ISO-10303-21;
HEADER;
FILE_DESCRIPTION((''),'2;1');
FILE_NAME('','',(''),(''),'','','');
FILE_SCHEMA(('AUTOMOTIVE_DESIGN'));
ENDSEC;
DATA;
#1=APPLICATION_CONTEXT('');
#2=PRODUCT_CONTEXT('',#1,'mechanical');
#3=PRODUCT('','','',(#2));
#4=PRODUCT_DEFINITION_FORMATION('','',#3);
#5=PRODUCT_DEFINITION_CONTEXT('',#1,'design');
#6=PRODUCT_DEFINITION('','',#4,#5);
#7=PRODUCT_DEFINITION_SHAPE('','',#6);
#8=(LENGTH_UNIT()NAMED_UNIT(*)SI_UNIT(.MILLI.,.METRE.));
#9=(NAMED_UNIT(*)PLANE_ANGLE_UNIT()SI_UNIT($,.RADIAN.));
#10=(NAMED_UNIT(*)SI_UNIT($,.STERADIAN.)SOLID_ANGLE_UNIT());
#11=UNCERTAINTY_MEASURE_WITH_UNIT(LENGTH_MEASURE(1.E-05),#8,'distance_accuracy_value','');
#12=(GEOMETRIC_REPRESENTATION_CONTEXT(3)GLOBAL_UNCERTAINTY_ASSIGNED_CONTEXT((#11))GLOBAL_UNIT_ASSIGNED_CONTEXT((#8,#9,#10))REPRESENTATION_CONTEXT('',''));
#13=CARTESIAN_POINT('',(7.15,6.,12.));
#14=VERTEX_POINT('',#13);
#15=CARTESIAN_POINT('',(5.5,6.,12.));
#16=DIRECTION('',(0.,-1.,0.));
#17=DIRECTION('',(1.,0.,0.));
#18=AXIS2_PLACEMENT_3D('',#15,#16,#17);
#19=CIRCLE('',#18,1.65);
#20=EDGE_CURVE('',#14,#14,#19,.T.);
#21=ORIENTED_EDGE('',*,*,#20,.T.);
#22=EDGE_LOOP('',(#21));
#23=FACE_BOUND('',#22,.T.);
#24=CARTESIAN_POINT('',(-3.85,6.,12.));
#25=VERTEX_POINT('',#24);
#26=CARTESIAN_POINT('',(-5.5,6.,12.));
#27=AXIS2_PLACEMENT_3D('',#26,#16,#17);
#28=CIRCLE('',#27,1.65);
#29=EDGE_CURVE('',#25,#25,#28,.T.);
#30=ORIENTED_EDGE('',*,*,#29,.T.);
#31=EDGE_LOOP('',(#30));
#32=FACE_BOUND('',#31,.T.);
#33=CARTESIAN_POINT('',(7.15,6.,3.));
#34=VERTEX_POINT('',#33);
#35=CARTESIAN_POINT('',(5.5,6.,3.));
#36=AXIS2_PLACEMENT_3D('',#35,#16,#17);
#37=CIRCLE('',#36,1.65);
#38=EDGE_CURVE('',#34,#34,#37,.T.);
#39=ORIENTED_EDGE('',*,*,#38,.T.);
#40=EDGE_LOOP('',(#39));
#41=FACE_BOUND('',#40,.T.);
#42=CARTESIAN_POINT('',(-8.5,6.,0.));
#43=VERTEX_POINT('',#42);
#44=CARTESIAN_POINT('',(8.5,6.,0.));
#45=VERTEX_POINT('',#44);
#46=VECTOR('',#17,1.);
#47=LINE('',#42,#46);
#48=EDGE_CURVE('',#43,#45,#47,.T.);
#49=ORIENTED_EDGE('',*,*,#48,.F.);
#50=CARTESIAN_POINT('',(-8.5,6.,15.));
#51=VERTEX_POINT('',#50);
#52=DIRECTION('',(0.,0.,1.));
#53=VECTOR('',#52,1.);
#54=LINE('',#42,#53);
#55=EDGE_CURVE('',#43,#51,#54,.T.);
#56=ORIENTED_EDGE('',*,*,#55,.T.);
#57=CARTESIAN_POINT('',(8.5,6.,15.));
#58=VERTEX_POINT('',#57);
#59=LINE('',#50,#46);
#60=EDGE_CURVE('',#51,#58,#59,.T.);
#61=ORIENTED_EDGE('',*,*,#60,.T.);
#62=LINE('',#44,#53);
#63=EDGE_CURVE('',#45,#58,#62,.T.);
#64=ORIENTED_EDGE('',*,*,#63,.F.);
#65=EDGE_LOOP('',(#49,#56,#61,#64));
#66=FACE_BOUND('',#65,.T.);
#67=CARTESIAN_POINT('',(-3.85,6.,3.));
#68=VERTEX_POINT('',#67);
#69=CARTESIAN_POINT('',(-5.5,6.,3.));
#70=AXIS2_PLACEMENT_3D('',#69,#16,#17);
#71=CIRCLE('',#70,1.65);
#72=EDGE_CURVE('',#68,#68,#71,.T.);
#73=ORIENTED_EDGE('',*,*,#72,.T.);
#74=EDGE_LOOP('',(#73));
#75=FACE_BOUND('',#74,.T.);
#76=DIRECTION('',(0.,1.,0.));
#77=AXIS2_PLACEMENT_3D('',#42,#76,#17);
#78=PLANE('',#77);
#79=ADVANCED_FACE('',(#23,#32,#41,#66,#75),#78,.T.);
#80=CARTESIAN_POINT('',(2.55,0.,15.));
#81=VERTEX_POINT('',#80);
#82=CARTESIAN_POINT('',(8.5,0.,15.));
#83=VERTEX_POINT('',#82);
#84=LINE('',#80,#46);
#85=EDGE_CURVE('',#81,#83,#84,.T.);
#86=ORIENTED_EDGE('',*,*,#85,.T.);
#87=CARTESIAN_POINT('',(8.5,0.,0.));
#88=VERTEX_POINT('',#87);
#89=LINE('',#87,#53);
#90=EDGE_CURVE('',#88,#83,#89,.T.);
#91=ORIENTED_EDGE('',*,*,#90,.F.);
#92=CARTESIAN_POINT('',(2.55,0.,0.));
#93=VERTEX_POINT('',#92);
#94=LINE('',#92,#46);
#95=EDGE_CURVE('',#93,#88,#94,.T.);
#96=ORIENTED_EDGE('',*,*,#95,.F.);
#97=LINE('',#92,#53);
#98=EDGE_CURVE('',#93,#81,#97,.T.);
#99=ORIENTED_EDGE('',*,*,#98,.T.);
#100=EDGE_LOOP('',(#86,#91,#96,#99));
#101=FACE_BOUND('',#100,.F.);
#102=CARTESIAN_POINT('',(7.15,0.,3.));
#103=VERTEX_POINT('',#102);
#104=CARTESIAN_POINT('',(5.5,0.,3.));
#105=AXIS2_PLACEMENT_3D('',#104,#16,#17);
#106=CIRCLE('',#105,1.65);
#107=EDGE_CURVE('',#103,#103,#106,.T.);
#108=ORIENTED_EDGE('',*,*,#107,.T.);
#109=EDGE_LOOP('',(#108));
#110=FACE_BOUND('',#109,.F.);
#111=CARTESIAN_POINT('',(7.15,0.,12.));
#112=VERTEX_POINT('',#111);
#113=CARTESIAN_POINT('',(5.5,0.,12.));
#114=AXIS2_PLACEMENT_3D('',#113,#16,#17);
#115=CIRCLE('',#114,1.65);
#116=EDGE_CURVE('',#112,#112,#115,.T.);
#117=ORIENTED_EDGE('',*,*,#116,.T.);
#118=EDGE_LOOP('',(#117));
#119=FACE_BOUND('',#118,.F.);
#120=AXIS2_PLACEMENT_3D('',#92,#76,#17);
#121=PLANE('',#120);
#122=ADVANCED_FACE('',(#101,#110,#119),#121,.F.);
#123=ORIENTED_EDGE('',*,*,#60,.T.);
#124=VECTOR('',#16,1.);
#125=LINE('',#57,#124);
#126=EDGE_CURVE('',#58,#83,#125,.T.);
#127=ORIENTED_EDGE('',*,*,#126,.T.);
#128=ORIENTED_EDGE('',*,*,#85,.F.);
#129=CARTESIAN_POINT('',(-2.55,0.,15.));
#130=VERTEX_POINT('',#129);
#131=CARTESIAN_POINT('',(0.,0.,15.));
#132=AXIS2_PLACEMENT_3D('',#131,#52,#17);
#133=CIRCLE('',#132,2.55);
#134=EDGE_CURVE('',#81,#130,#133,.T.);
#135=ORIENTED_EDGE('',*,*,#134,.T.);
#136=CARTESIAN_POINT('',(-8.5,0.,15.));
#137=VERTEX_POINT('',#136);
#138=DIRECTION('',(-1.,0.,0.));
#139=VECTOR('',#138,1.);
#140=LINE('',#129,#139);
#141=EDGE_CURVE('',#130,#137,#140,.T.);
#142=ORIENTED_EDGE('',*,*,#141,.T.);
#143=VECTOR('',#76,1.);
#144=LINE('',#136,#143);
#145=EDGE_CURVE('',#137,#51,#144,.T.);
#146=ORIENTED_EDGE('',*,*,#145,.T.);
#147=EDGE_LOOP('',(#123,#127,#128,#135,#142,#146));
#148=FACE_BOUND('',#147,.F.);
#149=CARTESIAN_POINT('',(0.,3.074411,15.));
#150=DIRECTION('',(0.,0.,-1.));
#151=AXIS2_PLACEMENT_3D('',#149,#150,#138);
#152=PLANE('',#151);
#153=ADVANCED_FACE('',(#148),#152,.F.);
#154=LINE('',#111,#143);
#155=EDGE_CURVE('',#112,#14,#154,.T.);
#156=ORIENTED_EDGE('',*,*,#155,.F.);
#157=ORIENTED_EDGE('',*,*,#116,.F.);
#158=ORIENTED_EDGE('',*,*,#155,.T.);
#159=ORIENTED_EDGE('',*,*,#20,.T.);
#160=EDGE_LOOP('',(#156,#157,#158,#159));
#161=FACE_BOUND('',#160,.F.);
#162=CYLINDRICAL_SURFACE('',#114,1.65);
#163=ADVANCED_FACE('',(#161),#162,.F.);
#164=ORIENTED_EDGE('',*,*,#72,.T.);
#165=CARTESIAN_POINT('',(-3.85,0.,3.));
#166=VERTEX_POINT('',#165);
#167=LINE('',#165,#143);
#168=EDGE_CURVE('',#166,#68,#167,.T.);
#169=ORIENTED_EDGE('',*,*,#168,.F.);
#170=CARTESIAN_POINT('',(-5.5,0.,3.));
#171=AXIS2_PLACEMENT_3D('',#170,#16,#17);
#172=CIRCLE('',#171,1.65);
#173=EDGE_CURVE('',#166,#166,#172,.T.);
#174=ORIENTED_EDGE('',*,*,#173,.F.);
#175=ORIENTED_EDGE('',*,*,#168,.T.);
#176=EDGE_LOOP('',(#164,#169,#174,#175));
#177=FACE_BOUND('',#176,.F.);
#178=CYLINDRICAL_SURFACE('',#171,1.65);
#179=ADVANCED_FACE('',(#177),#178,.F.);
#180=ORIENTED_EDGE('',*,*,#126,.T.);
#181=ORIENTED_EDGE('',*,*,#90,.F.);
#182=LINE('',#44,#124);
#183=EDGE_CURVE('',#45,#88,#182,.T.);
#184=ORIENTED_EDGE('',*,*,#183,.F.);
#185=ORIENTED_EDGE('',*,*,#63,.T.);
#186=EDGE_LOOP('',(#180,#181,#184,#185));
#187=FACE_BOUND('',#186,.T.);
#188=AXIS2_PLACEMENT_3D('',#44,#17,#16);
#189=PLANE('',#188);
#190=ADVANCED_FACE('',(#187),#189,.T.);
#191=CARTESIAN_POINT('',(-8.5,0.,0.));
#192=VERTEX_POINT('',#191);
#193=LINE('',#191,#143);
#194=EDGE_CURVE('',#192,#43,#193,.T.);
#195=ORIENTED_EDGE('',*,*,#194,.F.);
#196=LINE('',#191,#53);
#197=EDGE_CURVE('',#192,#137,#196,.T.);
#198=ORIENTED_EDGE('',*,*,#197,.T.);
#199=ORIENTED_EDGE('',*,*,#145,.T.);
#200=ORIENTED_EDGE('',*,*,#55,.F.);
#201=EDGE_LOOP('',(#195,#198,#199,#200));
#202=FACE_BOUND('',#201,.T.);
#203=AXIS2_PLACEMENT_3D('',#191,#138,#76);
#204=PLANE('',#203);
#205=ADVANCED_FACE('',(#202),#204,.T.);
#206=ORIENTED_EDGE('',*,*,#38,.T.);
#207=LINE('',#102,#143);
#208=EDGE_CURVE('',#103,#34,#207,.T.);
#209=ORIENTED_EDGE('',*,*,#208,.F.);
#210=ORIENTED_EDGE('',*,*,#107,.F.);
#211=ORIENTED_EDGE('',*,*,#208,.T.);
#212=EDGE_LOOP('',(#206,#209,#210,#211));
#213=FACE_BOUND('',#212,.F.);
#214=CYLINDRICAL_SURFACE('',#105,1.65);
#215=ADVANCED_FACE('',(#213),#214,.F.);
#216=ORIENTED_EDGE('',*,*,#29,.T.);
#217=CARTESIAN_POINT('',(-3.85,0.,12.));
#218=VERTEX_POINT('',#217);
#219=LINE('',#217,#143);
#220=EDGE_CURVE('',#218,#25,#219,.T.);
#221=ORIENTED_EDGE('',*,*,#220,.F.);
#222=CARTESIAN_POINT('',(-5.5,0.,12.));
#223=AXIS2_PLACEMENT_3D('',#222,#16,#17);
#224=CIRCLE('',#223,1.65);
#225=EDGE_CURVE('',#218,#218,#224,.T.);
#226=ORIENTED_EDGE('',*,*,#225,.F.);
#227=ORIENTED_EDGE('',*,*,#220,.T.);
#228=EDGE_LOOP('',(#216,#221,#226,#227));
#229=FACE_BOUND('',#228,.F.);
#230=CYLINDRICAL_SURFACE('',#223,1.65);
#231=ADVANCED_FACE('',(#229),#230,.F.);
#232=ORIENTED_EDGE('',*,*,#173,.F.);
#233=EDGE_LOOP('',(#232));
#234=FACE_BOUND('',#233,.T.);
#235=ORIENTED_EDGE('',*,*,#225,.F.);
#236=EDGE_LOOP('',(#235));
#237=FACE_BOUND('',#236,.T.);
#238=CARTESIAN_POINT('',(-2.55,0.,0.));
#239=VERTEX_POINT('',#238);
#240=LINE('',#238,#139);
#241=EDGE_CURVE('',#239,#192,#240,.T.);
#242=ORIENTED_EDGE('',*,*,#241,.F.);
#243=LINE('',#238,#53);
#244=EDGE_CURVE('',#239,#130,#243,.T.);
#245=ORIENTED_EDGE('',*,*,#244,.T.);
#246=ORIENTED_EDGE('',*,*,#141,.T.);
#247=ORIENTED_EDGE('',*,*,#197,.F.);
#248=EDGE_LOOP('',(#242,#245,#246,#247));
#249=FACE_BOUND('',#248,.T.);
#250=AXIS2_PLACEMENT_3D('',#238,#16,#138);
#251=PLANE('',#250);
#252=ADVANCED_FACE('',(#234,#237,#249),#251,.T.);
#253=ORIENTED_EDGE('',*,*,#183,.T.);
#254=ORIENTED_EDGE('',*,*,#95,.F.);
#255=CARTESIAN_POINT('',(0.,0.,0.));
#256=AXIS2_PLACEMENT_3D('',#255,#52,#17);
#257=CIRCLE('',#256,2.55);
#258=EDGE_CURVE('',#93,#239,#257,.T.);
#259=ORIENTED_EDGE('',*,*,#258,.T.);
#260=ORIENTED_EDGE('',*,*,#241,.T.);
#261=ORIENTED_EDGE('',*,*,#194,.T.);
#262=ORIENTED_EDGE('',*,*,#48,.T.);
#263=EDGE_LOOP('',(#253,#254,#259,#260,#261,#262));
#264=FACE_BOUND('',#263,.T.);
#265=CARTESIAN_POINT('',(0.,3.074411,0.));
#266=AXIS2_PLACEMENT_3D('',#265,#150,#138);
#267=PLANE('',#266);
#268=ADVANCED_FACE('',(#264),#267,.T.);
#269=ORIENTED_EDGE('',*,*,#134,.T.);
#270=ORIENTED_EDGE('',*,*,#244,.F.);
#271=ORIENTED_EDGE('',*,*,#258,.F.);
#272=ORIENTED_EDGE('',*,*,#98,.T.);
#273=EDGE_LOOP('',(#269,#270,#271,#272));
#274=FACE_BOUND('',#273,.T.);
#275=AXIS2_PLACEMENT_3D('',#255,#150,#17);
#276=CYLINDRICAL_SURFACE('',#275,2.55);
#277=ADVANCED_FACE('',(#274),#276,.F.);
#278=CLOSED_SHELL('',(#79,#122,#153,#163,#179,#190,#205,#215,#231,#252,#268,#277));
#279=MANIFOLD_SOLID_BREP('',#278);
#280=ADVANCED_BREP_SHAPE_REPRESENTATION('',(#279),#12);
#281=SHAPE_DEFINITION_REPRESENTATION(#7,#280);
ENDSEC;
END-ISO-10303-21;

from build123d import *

# Parameters (mm, degrees)
PAD_DEPTH    = 15
SKETCH001_R  = 1.65
POCKET_DEPTH = 6.001


with BuildPart() as part:
    # Sketch → Pad (new body)
    with BuildSketch(Plane.XY):
        with BuildLine():
            ThreePointArc((2.55, 0), (0, 2.55), (-2.55, 0))
            Line((-2.55, 0), (-8.5, 0))
            Line((-8.5, 0), (-8.5, 6))
            Line((-8.5, 6), (8.5, 6))
            Line((8.5, 6), (8.5, 0))
            Line((2.55, 0), (8.5, 0))
        make_face()
    extrude(amount=PAD_DEPTH)

    # Sketch001 → Pocket (cut, through all)
    with BuildSketch(Plane.XZ):
        with Locations((-5.5, 3)):
            Circle(SKETCH001_R)
        with Locations((-5.5, 12)):
            Circle(SKETCH001_R)
        with Locations((5.5, 12)):
            Circle(SKETCH001_R)
        with Locations((5.5, 3)):
            Circle(SKETCH001_R)
    extrude(amount=-POCKET_DEPTH, mode=Mode.SUBTRACT)


solid = part.part
